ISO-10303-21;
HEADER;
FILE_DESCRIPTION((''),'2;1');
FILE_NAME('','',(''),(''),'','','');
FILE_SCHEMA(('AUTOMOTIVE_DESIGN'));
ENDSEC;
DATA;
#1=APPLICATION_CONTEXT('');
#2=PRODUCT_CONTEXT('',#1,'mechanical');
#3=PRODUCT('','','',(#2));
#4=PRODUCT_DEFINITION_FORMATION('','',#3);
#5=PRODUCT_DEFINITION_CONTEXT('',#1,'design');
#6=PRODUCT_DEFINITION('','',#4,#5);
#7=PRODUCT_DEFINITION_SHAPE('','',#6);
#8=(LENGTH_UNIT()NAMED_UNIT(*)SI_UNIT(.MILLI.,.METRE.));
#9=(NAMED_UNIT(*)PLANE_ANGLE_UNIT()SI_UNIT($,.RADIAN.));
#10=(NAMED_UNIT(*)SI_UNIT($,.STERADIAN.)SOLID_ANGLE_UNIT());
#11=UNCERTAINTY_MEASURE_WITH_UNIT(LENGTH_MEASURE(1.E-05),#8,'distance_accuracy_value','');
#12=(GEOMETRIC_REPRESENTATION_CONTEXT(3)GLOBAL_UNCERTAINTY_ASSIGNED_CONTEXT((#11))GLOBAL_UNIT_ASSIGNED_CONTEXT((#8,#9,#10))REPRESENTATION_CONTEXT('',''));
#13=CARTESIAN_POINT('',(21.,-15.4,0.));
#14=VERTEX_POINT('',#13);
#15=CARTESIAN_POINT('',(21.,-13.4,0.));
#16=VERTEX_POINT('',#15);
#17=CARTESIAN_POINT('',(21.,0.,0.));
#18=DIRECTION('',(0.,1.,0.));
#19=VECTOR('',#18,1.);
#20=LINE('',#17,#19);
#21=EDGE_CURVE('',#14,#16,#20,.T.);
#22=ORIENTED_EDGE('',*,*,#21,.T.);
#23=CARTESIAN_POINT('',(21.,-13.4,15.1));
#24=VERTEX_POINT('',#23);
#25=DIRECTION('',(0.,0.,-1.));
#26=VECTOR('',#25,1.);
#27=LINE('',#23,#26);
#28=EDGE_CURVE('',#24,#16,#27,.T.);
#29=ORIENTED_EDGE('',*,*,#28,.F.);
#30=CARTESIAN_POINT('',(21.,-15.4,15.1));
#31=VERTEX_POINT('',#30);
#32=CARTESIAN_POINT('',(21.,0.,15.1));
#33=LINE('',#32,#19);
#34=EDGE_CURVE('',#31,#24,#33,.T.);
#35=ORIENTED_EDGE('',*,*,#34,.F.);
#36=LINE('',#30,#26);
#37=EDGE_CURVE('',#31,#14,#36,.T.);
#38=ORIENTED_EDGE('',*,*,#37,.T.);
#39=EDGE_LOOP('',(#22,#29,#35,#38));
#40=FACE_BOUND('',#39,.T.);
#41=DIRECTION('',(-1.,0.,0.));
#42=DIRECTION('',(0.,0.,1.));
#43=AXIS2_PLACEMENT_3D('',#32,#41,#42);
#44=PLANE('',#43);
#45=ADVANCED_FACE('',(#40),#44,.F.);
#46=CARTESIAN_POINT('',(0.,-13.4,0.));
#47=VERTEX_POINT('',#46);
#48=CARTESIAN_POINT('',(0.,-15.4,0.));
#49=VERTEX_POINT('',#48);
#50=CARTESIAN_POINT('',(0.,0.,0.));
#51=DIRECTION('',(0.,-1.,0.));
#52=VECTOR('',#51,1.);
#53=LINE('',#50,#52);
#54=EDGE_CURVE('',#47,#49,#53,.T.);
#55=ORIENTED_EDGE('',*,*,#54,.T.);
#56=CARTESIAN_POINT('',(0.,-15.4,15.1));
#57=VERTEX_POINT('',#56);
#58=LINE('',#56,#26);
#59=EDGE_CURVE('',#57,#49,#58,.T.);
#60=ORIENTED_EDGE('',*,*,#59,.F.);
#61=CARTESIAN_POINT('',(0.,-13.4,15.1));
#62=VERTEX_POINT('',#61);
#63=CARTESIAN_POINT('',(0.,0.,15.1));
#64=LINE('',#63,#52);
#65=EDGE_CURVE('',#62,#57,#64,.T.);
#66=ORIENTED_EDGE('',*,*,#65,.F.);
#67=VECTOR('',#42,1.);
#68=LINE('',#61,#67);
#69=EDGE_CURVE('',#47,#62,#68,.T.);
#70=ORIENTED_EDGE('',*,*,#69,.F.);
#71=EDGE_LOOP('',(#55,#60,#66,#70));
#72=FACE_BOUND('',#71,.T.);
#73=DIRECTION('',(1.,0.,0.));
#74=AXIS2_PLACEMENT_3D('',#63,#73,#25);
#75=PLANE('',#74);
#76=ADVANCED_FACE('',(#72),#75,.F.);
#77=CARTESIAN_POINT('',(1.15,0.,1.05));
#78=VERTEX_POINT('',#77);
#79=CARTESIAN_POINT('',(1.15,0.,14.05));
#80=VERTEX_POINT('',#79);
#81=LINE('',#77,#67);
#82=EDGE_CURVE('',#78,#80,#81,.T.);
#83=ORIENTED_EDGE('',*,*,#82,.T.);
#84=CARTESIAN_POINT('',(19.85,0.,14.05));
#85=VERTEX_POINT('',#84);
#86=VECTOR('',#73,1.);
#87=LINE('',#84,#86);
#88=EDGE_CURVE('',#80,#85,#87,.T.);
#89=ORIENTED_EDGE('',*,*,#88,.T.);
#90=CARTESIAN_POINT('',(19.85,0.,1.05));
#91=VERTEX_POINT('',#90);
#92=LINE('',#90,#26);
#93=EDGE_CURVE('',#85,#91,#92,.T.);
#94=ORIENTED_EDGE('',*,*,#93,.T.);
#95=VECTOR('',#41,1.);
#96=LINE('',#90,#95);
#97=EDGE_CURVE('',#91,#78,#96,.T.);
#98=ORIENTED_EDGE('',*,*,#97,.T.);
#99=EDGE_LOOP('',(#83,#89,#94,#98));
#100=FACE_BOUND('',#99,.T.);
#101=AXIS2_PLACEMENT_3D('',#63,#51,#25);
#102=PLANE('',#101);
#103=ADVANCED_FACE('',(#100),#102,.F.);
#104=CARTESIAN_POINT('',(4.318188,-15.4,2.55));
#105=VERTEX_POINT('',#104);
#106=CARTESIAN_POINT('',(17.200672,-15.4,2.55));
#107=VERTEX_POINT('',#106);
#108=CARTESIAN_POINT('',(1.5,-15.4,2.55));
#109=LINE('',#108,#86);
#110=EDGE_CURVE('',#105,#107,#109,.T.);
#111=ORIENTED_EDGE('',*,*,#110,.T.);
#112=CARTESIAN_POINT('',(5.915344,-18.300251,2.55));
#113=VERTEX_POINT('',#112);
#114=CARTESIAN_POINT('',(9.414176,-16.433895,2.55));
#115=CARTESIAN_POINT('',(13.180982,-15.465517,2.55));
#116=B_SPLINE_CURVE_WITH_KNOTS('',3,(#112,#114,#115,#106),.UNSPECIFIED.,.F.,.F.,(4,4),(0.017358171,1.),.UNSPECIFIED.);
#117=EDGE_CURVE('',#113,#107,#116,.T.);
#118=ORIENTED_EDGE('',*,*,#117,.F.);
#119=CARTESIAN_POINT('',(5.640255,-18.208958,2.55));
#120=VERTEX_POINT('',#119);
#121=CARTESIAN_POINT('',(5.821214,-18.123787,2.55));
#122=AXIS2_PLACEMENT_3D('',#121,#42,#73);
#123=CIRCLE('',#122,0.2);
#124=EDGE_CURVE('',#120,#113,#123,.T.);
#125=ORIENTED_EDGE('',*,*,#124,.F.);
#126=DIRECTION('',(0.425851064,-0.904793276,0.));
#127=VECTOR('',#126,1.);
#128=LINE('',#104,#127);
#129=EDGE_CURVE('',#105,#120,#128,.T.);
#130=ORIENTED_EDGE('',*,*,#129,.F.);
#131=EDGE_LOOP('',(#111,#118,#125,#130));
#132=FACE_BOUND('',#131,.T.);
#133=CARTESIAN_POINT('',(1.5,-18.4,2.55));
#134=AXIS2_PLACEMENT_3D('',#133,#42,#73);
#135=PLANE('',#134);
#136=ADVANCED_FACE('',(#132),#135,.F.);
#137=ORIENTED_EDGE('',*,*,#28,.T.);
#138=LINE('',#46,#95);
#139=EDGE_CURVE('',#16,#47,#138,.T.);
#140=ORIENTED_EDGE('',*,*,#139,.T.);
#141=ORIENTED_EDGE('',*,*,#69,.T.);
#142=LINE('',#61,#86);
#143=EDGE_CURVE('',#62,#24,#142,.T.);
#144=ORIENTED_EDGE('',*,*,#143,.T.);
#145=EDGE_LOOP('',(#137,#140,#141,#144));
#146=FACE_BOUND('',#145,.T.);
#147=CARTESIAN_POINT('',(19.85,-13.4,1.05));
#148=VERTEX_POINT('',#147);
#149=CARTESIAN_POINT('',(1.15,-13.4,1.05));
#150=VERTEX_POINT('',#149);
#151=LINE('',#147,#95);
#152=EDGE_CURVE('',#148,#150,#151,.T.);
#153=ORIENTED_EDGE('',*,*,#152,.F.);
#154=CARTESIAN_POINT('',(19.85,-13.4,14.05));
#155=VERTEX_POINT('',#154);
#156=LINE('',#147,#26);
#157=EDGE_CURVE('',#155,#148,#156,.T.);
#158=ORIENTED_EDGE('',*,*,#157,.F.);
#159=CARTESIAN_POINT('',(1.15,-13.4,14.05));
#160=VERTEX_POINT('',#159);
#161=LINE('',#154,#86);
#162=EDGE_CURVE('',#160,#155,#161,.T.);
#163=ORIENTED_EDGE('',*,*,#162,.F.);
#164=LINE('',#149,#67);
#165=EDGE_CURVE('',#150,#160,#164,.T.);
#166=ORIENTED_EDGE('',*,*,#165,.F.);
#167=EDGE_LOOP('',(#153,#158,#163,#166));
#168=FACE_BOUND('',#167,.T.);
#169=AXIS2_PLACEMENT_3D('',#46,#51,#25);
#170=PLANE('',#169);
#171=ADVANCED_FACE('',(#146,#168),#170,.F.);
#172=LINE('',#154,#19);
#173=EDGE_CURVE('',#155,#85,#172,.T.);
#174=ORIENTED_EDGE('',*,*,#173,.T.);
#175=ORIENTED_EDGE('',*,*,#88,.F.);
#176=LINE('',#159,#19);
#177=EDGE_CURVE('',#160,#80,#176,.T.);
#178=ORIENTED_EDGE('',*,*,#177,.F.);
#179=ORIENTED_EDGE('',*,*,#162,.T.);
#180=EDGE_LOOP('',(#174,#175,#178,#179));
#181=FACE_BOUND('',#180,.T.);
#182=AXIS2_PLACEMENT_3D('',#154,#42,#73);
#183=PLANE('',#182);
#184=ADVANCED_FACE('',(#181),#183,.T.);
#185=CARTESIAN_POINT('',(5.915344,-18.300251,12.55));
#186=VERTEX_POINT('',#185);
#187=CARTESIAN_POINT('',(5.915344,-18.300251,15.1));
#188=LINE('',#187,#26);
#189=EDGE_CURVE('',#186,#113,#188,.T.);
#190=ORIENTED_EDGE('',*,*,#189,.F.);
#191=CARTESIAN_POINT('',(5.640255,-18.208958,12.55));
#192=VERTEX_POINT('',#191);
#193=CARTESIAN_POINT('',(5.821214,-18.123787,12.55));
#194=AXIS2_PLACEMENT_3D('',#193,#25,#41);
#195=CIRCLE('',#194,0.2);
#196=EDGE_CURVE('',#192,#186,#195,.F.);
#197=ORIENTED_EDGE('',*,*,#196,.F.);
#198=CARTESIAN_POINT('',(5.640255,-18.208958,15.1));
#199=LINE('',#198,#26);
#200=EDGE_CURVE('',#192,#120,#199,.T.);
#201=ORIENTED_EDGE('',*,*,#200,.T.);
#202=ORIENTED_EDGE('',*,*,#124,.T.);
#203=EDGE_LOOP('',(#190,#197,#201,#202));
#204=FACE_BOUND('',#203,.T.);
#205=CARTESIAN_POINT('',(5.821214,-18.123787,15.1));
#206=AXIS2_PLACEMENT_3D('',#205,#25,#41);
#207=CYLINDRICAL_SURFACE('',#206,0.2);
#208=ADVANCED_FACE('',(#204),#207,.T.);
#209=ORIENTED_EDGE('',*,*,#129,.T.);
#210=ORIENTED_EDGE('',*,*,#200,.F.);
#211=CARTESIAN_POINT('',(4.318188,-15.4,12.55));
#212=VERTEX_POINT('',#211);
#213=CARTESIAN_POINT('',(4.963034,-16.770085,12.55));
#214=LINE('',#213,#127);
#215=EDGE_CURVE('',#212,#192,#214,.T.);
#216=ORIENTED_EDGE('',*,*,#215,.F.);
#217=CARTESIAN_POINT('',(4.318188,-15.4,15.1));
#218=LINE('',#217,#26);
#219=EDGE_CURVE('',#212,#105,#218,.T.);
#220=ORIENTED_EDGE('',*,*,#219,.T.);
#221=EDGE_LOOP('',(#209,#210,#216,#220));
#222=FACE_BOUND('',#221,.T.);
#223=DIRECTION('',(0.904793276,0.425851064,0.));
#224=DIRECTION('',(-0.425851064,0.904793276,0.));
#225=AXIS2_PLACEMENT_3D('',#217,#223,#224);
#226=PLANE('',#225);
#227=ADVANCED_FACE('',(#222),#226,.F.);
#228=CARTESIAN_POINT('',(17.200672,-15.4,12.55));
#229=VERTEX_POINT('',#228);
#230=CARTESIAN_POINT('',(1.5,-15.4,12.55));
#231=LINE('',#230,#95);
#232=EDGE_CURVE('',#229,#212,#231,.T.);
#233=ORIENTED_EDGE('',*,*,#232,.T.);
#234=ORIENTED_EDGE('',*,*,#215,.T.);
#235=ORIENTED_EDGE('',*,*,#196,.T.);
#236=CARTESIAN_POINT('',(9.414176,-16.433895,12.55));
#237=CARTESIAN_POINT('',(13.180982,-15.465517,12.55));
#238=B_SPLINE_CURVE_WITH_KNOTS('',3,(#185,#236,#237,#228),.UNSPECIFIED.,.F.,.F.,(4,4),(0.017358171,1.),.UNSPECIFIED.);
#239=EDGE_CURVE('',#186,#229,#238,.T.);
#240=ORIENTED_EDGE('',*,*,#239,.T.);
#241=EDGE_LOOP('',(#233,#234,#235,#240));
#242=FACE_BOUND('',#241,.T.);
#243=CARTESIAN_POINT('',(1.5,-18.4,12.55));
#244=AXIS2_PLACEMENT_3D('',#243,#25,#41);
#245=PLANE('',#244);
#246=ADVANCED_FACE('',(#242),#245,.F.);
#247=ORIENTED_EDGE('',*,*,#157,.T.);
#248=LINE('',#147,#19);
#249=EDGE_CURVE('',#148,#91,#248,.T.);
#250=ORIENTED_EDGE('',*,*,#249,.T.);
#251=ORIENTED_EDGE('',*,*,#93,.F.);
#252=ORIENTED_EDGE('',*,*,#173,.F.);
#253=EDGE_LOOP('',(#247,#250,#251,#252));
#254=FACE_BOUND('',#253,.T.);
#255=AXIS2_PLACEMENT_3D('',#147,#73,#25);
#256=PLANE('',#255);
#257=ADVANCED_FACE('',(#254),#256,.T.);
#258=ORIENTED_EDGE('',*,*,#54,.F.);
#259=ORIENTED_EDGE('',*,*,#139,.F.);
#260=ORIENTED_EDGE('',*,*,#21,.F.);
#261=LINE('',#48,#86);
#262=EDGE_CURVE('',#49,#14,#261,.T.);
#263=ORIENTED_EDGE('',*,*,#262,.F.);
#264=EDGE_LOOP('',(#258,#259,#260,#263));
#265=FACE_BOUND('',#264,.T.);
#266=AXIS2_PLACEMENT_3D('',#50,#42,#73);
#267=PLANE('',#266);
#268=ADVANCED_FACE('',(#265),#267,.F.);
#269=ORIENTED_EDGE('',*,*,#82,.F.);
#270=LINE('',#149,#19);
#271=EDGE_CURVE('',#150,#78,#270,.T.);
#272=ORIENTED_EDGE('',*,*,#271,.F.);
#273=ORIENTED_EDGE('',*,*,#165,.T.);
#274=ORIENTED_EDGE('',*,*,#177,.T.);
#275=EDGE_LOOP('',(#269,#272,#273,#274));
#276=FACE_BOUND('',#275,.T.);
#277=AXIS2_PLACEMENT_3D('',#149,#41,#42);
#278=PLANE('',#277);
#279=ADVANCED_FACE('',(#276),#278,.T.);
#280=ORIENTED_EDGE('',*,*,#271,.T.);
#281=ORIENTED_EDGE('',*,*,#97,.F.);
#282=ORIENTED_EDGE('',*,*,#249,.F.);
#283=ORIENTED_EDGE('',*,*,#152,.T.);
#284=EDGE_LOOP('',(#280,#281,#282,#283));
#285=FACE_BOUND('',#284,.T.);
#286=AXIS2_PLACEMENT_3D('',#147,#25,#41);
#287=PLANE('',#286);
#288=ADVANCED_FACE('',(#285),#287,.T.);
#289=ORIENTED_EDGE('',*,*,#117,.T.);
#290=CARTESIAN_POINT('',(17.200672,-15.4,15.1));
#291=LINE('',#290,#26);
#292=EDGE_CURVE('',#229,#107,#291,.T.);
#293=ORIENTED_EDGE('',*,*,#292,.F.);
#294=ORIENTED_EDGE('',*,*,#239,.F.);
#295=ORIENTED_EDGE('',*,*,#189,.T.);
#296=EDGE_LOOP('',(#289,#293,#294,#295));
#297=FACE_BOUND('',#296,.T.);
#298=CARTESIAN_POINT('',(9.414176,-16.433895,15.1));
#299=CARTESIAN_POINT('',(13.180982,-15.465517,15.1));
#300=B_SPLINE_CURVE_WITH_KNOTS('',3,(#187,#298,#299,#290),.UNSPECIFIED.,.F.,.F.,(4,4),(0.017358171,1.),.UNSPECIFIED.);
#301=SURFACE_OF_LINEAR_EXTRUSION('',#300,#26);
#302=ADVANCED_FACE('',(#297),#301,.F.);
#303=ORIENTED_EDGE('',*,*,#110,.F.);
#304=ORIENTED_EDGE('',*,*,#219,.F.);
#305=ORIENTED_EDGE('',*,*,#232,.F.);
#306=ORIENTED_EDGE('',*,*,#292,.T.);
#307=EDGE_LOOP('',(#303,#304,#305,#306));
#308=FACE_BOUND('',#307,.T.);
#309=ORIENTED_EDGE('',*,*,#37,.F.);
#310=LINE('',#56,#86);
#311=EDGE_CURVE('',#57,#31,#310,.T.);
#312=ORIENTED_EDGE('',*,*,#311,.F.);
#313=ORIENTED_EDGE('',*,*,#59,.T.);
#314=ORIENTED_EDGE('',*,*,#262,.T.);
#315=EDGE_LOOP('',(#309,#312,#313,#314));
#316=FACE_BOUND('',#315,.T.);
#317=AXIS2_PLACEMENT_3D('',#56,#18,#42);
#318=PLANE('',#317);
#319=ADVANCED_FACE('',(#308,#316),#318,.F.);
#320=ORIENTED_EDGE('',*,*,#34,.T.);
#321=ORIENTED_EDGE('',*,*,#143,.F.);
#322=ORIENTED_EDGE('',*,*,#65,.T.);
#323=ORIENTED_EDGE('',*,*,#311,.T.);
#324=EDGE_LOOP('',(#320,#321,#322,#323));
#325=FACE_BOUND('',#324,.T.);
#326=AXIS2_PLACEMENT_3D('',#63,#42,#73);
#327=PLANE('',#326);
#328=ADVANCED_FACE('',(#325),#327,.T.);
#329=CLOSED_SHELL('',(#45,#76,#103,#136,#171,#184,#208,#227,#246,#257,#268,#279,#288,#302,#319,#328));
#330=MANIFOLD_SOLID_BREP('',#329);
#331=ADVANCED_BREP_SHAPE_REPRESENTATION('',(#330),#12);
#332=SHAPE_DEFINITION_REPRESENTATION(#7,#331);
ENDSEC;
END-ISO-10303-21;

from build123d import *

# Parameters (mm, degrees)
SKETCH1_W           = 21
SKETCH1_H           = 15.4
BOSS_EXTRUDE1_DEPTH = 15.1
SKETCH3_W           = 21
SKETCH3_H           = 15.1
SKETCH3_W_2         = 18.7
SKETCH3_H_2         = 13
CUT_EXTRUDE1_DEPTH  = 13.4
SKETCH4_W           = 18
SKETCH4_H           = 10
BOSS_EXTRUDE2_DEPTH = 3
CUT_EXTRUDE2_DEPTH  = 13.55


with BuildPart() as part:
    # Sketch1 → Boss-Extrude1 (new body)
    with BuildSketch(Plane.XY):
        with Locations((10.5, -7.7)):
            Rectangle(SKETCH1_W, SKETCH1_H)
    extrude(amount=BOSS_EXTRUDE1_DEPTH)

    # Sketch3 → Cut-Extrude1 (cut)
    with BuildSketch(Plane(origin=(0, 0, 0), x_dir=(1, 0, 0), z_dir=(0, 1, 0))):
        with Locations((10.5, -7.55)):
            Rectangle(SKETCH3_W, SKETCH3_H)
        with Locations((10.5, -7.55)):
            Rectangle(SKETCH3_W_2, SKETCH3_H_2, mode=Mode.SUBTRACT)
    extrude(amount=-CUT_EXTRUDE1_DEPTH, mode=Mode.SUBTRACT)

    # Sketch4 → Boss-Extrude2 (add)
    with BuildSketch(Plane.XZ.offset(15.4)):
        with Locations((10.5, 7.55)):
            Rectangle(SKETCH4_W, SKETCH4_H)
    extrude(amount=BOSS_EXTRUDE2_DEPTH)

    # Sketch5 → Cut-Extrude2 (cut, through all)
    with BuildSketch(Plane(origin=(0, 0, 2.55), x_dir=(-1, 0, 0), z_dir=(0, 0, -1))):
        with BuildLine():
            Line((-4.318187888, -15.4), (-5.64025516, -18.208957591))
            ThreePointArc((-5.64025516, -18.208957591), (-5.758218198, -18.313607167), (-5.91534374, -18.300251418))
            add(Edge.make_bspline(
                [(-5.91534374, -18.300251418), (-9.414175538, -16.433895122), (-13.180982291, -15.465516785), (-17.200671876, -15.4)],
                knots=[0.017358171, 0.017358171, 0.017358171, 0.017358171, 1, 1, 1, 1], degree=3))
            Line((-17.200671876, -15.4), (-19.5, -15.4))
            Line((-19.5, -15.4), (-20.228637612, -15.606353341))
            Line((-20.228637612, -15.606353341), (-20.675659597, -18.662431802))
            Line((-20.675659597, -18.662431802), (-18.82613024, -20.157147076))
            Line((-18.82613024, -20.157147076), (-11.911793742, -20.360373848))
            Line((-11.911793742, -20.360373848), (-0.335637878, -21.060292332))
            Line((-0.335637878, -21.060292332), (-0.808442559, -15.4))
            Line((-0.808442559, -15.4), (-4.318187888, -15.4))
        make_face()
    extrude(amount=-CUT_EXTRUDE2_DEPTH, mode=Mode.SUBTRACT)


solid = part.part
